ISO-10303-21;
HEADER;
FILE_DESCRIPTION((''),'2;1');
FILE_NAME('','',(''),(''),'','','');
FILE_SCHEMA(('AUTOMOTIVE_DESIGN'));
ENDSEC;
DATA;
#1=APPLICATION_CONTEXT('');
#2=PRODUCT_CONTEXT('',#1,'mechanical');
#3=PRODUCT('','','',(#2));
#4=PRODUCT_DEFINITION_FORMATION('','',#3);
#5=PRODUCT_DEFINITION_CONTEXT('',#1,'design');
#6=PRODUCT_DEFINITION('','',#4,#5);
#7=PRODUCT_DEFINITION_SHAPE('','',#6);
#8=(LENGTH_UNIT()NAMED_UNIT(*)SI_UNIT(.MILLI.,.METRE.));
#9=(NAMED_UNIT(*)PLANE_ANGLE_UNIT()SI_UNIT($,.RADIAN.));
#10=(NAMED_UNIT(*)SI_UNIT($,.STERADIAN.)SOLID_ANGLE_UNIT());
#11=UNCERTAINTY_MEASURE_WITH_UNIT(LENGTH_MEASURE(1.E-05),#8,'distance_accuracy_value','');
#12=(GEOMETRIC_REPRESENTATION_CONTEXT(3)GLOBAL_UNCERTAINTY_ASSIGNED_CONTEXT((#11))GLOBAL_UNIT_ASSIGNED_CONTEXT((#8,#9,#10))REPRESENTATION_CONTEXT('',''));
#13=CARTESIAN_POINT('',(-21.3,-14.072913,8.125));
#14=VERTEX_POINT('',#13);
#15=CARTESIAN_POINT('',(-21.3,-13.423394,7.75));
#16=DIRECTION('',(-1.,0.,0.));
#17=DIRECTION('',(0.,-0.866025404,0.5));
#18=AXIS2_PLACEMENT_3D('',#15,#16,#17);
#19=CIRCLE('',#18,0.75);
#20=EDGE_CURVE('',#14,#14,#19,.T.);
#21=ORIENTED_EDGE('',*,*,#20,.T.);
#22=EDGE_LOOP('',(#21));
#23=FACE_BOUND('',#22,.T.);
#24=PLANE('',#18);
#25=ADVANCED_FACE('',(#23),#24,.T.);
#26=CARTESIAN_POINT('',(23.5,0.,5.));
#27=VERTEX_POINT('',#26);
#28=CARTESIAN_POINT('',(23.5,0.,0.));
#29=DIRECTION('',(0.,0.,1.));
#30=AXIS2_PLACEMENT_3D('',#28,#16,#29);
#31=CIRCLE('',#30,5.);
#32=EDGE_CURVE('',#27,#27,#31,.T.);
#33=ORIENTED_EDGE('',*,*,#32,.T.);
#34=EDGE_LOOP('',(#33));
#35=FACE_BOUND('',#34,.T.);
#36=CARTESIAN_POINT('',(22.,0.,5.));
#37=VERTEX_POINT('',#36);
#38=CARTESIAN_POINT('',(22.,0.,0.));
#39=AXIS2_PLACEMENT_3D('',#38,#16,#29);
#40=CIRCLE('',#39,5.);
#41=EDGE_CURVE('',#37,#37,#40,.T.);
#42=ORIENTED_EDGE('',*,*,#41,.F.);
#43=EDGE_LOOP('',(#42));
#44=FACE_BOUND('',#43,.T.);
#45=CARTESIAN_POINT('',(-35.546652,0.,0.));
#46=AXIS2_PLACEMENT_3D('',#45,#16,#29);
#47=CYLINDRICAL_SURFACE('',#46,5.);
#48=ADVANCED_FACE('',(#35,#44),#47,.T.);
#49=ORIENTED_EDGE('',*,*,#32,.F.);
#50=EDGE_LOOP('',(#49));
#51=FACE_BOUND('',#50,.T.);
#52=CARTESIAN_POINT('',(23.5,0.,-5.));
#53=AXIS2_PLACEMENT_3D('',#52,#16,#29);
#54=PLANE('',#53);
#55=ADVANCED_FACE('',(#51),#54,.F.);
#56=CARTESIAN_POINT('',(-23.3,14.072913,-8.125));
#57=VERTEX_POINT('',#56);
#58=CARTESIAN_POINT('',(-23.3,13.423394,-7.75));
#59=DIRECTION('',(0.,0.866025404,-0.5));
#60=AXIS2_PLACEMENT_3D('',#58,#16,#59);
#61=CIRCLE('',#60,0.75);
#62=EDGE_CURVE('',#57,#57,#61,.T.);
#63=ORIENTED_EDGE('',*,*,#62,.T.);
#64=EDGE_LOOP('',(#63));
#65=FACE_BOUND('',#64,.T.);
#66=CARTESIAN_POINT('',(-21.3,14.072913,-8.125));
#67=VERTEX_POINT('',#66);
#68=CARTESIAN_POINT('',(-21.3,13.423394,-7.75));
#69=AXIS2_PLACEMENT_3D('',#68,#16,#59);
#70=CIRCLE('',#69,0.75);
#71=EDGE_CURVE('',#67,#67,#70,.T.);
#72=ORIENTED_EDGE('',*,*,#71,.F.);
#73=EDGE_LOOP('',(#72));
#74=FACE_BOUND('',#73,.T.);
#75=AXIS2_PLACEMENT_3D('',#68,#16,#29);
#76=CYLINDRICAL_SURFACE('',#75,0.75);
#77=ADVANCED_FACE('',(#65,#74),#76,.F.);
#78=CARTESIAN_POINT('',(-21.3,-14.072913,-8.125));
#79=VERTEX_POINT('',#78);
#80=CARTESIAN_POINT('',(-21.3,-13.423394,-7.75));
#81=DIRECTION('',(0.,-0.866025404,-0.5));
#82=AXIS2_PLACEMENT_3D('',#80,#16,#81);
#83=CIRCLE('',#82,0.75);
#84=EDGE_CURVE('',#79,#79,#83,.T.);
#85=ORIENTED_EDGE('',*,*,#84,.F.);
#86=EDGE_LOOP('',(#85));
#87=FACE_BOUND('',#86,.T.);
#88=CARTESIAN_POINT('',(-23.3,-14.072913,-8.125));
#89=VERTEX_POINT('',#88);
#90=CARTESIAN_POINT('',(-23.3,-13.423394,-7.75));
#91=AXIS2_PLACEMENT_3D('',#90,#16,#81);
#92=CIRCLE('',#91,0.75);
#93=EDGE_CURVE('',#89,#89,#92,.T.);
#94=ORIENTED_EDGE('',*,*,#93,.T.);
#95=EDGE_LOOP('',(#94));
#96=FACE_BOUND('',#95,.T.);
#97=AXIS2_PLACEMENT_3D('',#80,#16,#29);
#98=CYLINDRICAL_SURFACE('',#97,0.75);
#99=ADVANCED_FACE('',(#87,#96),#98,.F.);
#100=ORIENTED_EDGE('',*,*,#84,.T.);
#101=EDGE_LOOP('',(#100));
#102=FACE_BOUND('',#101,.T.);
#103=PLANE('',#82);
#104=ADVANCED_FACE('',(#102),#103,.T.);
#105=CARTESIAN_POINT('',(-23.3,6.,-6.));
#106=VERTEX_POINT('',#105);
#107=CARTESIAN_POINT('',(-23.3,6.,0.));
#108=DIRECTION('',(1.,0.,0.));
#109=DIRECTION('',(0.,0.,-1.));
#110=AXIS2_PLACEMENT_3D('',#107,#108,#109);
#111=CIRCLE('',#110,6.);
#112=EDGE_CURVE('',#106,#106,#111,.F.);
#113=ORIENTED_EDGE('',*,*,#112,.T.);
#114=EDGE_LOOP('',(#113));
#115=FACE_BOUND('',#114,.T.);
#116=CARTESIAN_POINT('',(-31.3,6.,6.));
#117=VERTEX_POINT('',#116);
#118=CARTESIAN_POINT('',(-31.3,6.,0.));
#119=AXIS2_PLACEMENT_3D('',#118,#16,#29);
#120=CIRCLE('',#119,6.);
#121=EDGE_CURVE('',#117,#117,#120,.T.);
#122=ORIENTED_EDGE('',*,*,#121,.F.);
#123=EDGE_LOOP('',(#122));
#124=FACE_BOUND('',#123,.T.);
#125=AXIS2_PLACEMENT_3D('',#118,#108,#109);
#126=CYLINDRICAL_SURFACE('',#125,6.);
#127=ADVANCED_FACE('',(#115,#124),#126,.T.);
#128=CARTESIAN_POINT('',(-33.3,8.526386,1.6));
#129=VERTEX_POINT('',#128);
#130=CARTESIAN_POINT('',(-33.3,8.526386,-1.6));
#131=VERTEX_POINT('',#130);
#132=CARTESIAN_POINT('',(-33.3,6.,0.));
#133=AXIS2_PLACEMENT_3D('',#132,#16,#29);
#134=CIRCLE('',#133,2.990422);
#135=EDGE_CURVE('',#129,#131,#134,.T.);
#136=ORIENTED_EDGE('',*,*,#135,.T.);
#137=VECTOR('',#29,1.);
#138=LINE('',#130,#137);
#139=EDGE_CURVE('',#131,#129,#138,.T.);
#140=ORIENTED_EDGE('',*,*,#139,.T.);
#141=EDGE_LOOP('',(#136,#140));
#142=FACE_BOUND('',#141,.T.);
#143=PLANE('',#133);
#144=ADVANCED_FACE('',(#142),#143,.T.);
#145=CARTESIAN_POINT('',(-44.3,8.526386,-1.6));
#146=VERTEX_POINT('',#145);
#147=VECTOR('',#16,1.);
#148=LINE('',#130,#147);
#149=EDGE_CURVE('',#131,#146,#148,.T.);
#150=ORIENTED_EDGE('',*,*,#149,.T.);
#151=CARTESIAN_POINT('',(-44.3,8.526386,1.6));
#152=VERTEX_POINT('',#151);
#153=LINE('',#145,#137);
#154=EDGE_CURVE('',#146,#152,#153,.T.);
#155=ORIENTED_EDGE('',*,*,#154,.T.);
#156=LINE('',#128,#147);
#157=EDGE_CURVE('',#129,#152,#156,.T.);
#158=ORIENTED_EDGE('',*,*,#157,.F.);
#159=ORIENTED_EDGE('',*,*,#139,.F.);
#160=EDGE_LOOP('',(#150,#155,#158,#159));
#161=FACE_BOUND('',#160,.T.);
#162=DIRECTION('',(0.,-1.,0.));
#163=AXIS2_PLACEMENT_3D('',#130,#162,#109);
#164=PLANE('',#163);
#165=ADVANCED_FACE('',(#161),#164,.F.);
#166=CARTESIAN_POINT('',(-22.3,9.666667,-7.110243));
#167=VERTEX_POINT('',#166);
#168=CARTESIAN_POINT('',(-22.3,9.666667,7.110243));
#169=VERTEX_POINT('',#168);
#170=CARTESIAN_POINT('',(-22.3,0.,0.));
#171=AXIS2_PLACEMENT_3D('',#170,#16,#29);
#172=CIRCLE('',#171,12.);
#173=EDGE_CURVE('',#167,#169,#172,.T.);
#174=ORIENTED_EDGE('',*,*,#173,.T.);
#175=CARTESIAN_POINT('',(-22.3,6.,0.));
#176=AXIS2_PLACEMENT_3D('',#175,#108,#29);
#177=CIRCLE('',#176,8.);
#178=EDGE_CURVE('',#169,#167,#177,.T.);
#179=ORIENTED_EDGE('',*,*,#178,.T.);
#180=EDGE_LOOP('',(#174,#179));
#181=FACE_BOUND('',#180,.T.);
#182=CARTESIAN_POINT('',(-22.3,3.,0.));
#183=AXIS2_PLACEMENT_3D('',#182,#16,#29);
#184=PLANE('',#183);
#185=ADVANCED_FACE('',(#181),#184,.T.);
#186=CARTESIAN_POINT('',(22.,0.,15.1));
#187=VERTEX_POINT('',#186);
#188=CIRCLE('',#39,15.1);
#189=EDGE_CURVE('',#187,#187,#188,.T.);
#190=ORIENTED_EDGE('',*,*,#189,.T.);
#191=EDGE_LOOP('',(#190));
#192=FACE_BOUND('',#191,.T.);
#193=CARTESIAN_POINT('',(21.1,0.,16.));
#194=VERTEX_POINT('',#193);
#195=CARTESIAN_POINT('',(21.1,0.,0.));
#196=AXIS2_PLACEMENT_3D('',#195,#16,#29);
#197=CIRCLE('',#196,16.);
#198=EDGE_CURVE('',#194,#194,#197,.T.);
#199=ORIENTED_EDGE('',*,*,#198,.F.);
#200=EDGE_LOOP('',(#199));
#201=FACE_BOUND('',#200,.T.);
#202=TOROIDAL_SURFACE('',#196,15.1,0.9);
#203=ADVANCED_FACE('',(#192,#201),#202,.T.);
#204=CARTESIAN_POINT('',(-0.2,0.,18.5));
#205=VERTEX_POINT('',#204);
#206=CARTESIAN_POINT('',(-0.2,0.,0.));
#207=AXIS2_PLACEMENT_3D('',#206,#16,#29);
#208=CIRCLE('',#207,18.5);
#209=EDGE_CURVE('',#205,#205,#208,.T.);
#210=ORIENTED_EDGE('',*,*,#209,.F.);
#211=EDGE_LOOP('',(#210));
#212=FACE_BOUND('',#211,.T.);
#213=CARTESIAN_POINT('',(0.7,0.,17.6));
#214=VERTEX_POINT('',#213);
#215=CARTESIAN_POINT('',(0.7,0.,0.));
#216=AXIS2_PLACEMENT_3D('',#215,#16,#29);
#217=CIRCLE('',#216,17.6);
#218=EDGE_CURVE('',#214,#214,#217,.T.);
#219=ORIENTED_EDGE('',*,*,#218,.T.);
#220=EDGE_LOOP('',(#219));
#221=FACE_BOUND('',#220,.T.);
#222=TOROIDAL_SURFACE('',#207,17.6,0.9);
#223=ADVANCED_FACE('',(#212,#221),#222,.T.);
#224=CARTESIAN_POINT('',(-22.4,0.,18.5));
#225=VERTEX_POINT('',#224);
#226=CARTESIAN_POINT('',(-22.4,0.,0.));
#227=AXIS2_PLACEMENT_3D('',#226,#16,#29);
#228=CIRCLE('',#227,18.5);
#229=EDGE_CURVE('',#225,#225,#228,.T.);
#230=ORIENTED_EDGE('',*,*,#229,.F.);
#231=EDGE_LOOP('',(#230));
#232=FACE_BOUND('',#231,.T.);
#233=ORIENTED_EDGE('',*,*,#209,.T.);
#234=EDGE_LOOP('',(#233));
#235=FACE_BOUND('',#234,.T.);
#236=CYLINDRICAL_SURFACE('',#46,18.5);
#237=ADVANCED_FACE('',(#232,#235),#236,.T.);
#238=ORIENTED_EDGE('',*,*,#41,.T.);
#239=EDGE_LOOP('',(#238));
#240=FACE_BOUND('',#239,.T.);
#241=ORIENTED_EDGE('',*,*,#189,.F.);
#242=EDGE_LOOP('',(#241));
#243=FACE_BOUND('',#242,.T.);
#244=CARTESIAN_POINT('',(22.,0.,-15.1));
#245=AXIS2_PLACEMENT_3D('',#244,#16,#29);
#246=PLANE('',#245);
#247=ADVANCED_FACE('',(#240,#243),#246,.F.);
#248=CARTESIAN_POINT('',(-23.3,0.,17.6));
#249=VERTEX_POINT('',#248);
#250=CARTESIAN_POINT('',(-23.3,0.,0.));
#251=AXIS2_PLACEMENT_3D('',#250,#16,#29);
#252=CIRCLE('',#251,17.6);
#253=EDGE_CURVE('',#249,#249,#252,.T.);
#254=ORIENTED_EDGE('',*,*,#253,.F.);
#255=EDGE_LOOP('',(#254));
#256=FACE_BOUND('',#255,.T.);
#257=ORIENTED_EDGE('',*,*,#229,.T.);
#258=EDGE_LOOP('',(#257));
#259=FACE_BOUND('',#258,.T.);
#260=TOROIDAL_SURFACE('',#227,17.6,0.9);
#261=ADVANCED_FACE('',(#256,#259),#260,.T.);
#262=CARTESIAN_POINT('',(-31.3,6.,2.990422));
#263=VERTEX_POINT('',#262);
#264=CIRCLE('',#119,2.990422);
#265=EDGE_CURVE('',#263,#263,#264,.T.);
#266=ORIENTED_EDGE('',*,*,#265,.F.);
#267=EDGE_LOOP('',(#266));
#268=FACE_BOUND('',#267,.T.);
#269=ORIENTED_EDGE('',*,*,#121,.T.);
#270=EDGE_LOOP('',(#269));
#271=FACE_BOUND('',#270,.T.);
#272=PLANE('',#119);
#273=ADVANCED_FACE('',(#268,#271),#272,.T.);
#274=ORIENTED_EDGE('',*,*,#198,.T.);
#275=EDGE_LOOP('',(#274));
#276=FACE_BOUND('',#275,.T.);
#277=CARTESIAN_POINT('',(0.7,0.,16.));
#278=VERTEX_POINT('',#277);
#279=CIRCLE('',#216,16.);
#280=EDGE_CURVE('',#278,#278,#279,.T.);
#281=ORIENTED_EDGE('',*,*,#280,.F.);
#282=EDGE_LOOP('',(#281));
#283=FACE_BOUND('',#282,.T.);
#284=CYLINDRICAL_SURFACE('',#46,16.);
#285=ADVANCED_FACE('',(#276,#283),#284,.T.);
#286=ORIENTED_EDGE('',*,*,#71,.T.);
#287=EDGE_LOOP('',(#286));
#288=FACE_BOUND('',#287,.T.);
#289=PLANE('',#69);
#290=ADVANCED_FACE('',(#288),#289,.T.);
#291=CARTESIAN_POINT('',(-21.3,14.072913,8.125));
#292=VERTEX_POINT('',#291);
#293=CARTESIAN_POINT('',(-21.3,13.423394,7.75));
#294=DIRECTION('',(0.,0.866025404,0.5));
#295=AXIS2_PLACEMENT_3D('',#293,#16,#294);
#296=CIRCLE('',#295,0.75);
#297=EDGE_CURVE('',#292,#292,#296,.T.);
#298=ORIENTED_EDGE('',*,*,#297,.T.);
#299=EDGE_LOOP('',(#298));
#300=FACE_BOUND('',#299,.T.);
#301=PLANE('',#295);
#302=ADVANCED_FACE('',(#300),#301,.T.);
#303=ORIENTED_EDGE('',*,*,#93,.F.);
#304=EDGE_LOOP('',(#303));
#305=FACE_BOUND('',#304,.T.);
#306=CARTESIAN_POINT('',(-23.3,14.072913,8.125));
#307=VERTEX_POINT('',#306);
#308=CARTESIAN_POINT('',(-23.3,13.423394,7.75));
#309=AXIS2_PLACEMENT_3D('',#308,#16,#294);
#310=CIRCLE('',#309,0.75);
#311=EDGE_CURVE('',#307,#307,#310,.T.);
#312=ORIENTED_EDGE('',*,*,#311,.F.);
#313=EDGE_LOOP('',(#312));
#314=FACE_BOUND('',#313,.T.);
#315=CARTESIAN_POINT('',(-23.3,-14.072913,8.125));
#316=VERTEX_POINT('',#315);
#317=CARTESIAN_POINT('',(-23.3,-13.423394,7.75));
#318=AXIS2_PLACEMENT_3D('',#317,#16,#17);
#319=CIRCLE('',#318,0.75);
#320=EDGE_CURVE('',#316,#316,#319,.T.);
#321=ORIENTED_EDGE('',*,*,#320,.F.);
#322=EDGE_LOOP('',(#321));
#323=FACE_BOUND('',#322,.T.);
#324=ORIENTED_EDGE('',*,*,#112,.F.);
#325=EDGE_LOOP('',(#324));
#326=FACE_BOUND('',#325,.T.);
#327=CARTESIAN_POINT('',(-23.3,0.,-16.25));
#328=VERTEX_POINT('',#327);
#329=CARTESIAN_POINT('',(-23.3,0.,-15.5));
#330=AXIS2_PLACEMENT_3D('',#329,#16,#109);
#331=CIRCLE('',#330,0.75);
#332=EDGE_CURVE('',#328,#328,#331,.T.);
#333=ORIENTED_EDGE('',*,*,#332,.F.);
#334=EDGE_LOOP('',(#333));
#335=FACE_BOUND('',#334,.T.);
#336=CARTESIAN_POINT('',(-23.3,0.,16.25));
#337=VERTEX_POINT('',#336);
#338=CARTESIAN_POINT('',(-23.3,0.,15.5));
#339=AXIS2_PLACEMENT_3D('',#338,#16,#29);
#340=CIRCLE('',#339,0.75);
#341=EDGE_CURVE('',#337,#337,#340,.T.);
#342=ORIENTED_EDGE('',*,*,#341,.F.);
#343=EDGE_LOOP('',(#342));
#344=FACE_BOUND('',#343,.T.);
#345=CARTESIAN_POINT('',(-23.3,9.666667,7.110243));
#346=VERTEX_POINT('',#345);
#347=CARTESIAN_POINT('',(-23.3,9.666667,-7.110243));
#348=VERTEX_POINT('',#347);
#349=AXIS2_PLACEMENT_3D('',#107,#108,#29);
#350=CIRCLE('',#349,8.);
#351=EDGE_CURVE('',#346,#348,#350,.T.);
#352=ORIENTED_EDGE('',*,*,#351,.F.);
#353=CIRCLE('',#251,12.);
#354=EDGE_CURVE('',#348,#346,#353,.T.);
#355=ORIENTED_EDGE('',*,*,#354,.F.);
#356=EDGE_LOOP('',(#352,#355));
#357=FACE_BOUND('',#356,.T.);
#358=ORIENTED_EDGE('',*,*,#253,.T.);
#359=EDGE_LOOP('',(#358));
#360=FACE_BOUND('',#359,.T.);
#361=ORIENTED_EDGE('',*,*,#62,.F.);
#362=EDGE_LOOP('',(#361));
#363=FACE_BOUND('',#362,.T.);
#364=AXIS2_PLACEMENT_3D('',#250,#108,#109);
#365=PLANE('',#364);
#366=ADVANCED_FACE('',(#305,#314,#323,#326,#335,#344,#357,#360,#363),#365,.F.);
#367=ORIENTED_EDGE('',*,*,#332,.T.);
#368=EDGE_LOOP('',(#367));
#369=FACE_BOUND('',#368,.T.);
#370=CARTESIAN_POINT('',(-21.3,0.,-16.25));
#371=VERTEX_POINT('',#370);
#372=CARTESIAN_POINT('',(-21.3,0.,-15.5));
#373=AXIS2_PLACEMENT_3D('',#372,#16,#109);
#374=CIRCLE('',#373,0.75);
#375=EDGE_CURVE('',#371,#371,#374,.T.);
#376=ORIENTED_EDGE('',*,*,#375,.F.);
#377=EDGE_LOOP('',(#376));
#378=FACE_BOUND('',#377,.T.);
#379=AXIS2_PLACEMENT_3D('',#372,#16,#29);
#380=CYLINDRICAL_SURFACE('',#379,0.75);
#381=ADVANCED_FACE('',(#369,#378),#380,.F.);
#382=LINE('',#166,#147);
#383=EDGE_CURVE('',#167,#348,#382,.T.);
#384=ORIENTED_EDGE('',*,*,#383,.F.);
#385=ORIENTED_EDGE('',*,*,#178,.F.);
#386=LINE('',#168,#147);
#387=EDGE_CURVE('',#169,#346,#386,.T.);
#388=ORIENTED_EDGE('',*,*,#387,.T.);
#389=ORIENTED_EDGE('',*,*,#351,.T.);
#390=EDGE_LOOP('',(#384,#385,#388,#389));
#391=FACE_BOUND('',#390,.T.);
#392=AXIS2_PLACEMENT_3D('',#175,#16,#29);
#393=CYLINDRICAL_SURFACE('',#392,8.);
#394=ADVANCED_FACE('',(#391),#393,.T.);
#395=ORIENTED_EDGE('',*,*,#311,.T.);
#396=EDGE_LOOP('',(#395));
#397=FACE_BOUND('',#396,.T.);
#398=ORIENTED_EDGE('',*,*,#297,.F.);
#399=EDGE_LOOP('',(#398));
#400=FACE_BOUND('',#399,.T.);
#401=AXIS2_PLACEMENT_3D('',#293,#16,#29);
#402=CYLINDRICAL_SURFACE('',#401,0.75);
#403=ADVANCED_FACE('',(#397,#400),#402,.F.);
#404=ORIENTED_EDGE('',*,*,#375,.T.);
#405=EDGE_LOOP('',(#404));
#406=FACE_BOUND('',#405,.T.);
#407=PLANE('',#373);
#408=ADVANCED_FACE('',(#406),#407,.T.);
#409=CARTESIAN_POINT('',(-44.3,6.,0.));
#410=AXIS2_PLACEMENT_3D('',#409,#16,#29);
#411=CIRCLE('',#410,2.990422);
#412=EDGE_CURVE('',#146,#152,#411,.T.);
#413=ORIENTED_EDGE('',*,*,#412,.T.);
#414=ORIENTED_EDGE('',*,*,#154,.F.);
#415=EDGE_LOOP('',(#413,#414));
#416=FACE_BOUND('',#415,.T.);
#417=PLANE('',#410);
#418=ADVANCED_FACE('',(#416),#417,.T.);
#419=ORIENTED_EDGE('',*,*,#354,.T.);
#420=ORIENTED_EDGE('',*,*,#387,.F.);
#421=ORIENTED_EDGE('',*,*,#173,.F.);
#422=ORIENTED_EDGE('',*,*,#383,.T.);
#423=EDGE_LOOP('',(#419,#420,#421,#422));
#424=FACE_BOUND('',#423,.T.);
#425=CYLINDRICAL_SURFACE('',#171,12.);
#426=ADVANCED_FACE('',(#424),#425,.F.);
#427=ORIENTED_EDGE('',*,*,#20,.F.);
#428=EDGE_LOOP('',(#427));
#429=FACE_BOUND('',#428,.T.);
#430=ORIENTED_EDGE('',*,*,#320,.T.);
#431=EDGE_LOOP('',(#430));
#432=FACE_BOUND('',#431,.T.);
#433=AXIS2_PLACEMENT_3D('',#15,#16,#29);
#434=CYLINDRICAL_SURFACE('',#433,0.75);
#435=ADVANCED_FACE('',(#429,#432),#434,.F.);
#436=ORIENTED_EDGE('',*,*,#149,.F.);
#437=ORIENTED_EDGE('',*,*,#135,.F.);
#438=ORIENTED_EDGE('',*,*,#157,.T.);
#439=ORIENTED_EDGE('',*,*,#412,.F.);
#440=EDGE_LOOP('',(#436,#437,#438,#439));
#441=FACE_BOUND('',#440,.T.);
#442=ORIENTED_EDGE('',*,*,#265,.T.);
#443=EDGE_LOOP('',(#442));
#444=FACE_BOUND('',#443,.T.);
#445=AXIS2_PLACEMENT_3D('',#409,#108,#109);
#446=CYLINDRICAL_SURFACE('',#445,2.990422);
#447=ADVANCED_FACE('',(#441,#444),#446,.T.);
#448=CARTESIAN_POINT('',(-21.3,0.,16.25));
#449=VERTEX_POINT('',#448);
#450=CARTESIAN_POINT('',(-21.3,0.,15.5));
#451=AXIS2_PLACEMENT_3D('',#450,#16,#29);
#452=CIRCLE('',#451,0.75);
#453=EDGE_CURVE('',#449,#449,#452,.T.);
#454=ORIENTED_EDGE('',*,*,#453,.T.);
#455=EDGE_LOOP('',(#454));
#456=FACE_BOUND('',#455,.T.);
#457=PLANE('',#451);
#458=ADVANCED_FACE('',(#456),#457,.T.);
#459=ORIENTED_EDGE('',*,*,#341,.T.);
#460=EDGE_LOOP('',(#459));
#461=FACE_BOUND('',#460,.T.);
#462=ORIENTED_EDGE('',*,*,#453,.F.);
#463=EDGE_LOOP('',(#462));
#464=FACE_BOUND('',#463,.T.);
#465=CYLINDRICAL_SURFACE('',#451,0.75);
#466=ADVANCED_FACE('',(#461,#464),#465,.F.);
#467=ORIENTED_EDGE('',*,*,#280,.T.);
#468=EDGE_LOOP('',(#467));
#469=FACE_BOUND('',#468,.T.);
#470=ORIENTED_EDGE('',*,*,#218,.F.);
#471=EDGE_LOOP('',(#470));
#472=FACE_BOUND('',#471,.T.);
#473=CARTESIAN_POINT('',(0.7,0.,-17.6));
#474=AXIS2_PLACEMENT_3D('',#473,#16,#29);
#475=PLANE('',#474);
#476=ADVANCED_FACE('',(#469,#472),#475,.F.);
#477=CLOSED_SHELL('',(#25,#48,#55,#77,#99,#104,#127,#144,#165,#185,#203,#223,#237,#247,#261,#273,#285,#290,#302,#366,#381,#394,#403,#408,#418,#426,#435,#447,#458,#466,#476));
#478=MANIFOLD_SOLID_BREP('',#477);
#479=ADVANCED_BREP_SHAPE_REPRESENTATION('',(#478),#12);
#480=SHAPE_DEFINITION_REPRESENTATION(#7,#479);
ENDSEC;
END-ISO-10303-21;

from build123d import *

# Parameters (mm, degrees)
SKETCH2_R           = 6
BOSS_EXTRUDE1_DEPTH = 8
SKETCH3_R           = 2.990422361
BOSS_EXTRUDE2_DEPTH = 13
CUT_EXTRUDE1_DEPTH  = 11
CUT_EXTRUDE2_DEPTH  = 1
SKETCH7_R           = 0.75
CUT_EXTRUDE4_DEPTH  = 2
CIRPATTERN1_COUNT   = 6


with BuildPart() as part:
    # Sketch1 → Revolve2 (revolve)
    with BuildSketch(Plane(origin=(0, 0, 0), x_dir=(1, 0, 0), z_dir=(0, 1, 0))):
        with BuildLine():
            Line((-23.3, 0), (23.5, 0))
            Line((23.5, 0), (23.5, 5))
            Line((23.5, 5), (22, 5))
            Line((22, 5), (22, 15.1))
            ThreePointArc((22, 15.1), (21.736396103, 15.736396103), (21.1, 16))
            Line((21.1, 16), (0.7, 16))
            Line((0.7, 16), (0.7, 17.6))
            ThreePointArc((0.7, 17.6), (0.436396103, 18.236396103), (-0.2, 18.5))
            Line((-0.2, 18.5), (-22.4, 18.5))
            ThreePointArc((-22.4, 18.5), (-23.036396103, 18.236396103), (-23.3, 17.6))
            Line((-23.3, 17.6), (-23.3, 0))
        make_face()
    revolve(axis=Axis((-35.546651827, 0, 0), (1, 0, 0)))

    # Sketch2 → Boss-Extrude1 (add)
    with BuildSketch(Plane.ZY.offset(23.3)):
        with Locations((0, 6)):
            Circle(SKETCH2_R)
    extrude(amount=BOSS_EXTRUDE1_DEPTH)

    # Sketch3 → Boss-Extrude2 (add)
    with BuildSketch(Plane.ZY.offset(31.3)):
        with Locations((0, 6)):
            Circle(SKETCH3_R)
    extrude(amount=BOSS_EXTRUDE2_DEPTH)

    # Sketch5 → Cut-Extrude1 (cut)
    with BuildSketch(Plane.ZY.offset(44.3)):
        with BuildLine():
            Line((-1.6, 8.526385936), (1.6, 8.526385936))
            ThreePointArc((1.6, 8.526385936), (0, 8.990422361), (-1.6, 8.526385936))
        make_face()
    extrude(amount=-CUT_EXTRUDE1_DEPTH, mode=Mode.SUBTRACT)

    # Sketch6 → Cut-Extrude2 (cut)
    with BuildSketch(Plane.ZY.offset(23.3)):
        with BuildLine():
            ThreePointArc((-7.110243003, 9.666666667), (0, -2), (7.110243003, 9.666666667))
            ThreePointArc((7.110243003, 9.666666667), (0, -12), (-7.110243003, 9.666666667))
        make_face()
    extrude(amount=-CUT_EXTRUDE2_DEPTH, mode=Mode.SUBTRACT)

    # Sketch7 → Cut-Extrude4 (cut)
    with BuildSketch(Plane.ZY.offset(23.3)):
        with Locations((15.5, 0)):
            Circle(SKETCH7_R)
    cut_extrude4 = extrude(amount=-CUT_EXTRUDE4_DEPTH, mode=Mode.SUBTRACT)

    # CirPattern1: Cut-Extrude4 ×6 about axis
    cirpattern1_axis = Axis((0, 0, 0), (1, 0, 0))
    for i in range(1, CIRPATTERN1_COUNT):
        add(cut_extrude4.rotate(cirpattern1_axis, i * 360 / CIRPATTERN1_COUNT), mode=Mode.SUBTRACT)


solid = part.part
